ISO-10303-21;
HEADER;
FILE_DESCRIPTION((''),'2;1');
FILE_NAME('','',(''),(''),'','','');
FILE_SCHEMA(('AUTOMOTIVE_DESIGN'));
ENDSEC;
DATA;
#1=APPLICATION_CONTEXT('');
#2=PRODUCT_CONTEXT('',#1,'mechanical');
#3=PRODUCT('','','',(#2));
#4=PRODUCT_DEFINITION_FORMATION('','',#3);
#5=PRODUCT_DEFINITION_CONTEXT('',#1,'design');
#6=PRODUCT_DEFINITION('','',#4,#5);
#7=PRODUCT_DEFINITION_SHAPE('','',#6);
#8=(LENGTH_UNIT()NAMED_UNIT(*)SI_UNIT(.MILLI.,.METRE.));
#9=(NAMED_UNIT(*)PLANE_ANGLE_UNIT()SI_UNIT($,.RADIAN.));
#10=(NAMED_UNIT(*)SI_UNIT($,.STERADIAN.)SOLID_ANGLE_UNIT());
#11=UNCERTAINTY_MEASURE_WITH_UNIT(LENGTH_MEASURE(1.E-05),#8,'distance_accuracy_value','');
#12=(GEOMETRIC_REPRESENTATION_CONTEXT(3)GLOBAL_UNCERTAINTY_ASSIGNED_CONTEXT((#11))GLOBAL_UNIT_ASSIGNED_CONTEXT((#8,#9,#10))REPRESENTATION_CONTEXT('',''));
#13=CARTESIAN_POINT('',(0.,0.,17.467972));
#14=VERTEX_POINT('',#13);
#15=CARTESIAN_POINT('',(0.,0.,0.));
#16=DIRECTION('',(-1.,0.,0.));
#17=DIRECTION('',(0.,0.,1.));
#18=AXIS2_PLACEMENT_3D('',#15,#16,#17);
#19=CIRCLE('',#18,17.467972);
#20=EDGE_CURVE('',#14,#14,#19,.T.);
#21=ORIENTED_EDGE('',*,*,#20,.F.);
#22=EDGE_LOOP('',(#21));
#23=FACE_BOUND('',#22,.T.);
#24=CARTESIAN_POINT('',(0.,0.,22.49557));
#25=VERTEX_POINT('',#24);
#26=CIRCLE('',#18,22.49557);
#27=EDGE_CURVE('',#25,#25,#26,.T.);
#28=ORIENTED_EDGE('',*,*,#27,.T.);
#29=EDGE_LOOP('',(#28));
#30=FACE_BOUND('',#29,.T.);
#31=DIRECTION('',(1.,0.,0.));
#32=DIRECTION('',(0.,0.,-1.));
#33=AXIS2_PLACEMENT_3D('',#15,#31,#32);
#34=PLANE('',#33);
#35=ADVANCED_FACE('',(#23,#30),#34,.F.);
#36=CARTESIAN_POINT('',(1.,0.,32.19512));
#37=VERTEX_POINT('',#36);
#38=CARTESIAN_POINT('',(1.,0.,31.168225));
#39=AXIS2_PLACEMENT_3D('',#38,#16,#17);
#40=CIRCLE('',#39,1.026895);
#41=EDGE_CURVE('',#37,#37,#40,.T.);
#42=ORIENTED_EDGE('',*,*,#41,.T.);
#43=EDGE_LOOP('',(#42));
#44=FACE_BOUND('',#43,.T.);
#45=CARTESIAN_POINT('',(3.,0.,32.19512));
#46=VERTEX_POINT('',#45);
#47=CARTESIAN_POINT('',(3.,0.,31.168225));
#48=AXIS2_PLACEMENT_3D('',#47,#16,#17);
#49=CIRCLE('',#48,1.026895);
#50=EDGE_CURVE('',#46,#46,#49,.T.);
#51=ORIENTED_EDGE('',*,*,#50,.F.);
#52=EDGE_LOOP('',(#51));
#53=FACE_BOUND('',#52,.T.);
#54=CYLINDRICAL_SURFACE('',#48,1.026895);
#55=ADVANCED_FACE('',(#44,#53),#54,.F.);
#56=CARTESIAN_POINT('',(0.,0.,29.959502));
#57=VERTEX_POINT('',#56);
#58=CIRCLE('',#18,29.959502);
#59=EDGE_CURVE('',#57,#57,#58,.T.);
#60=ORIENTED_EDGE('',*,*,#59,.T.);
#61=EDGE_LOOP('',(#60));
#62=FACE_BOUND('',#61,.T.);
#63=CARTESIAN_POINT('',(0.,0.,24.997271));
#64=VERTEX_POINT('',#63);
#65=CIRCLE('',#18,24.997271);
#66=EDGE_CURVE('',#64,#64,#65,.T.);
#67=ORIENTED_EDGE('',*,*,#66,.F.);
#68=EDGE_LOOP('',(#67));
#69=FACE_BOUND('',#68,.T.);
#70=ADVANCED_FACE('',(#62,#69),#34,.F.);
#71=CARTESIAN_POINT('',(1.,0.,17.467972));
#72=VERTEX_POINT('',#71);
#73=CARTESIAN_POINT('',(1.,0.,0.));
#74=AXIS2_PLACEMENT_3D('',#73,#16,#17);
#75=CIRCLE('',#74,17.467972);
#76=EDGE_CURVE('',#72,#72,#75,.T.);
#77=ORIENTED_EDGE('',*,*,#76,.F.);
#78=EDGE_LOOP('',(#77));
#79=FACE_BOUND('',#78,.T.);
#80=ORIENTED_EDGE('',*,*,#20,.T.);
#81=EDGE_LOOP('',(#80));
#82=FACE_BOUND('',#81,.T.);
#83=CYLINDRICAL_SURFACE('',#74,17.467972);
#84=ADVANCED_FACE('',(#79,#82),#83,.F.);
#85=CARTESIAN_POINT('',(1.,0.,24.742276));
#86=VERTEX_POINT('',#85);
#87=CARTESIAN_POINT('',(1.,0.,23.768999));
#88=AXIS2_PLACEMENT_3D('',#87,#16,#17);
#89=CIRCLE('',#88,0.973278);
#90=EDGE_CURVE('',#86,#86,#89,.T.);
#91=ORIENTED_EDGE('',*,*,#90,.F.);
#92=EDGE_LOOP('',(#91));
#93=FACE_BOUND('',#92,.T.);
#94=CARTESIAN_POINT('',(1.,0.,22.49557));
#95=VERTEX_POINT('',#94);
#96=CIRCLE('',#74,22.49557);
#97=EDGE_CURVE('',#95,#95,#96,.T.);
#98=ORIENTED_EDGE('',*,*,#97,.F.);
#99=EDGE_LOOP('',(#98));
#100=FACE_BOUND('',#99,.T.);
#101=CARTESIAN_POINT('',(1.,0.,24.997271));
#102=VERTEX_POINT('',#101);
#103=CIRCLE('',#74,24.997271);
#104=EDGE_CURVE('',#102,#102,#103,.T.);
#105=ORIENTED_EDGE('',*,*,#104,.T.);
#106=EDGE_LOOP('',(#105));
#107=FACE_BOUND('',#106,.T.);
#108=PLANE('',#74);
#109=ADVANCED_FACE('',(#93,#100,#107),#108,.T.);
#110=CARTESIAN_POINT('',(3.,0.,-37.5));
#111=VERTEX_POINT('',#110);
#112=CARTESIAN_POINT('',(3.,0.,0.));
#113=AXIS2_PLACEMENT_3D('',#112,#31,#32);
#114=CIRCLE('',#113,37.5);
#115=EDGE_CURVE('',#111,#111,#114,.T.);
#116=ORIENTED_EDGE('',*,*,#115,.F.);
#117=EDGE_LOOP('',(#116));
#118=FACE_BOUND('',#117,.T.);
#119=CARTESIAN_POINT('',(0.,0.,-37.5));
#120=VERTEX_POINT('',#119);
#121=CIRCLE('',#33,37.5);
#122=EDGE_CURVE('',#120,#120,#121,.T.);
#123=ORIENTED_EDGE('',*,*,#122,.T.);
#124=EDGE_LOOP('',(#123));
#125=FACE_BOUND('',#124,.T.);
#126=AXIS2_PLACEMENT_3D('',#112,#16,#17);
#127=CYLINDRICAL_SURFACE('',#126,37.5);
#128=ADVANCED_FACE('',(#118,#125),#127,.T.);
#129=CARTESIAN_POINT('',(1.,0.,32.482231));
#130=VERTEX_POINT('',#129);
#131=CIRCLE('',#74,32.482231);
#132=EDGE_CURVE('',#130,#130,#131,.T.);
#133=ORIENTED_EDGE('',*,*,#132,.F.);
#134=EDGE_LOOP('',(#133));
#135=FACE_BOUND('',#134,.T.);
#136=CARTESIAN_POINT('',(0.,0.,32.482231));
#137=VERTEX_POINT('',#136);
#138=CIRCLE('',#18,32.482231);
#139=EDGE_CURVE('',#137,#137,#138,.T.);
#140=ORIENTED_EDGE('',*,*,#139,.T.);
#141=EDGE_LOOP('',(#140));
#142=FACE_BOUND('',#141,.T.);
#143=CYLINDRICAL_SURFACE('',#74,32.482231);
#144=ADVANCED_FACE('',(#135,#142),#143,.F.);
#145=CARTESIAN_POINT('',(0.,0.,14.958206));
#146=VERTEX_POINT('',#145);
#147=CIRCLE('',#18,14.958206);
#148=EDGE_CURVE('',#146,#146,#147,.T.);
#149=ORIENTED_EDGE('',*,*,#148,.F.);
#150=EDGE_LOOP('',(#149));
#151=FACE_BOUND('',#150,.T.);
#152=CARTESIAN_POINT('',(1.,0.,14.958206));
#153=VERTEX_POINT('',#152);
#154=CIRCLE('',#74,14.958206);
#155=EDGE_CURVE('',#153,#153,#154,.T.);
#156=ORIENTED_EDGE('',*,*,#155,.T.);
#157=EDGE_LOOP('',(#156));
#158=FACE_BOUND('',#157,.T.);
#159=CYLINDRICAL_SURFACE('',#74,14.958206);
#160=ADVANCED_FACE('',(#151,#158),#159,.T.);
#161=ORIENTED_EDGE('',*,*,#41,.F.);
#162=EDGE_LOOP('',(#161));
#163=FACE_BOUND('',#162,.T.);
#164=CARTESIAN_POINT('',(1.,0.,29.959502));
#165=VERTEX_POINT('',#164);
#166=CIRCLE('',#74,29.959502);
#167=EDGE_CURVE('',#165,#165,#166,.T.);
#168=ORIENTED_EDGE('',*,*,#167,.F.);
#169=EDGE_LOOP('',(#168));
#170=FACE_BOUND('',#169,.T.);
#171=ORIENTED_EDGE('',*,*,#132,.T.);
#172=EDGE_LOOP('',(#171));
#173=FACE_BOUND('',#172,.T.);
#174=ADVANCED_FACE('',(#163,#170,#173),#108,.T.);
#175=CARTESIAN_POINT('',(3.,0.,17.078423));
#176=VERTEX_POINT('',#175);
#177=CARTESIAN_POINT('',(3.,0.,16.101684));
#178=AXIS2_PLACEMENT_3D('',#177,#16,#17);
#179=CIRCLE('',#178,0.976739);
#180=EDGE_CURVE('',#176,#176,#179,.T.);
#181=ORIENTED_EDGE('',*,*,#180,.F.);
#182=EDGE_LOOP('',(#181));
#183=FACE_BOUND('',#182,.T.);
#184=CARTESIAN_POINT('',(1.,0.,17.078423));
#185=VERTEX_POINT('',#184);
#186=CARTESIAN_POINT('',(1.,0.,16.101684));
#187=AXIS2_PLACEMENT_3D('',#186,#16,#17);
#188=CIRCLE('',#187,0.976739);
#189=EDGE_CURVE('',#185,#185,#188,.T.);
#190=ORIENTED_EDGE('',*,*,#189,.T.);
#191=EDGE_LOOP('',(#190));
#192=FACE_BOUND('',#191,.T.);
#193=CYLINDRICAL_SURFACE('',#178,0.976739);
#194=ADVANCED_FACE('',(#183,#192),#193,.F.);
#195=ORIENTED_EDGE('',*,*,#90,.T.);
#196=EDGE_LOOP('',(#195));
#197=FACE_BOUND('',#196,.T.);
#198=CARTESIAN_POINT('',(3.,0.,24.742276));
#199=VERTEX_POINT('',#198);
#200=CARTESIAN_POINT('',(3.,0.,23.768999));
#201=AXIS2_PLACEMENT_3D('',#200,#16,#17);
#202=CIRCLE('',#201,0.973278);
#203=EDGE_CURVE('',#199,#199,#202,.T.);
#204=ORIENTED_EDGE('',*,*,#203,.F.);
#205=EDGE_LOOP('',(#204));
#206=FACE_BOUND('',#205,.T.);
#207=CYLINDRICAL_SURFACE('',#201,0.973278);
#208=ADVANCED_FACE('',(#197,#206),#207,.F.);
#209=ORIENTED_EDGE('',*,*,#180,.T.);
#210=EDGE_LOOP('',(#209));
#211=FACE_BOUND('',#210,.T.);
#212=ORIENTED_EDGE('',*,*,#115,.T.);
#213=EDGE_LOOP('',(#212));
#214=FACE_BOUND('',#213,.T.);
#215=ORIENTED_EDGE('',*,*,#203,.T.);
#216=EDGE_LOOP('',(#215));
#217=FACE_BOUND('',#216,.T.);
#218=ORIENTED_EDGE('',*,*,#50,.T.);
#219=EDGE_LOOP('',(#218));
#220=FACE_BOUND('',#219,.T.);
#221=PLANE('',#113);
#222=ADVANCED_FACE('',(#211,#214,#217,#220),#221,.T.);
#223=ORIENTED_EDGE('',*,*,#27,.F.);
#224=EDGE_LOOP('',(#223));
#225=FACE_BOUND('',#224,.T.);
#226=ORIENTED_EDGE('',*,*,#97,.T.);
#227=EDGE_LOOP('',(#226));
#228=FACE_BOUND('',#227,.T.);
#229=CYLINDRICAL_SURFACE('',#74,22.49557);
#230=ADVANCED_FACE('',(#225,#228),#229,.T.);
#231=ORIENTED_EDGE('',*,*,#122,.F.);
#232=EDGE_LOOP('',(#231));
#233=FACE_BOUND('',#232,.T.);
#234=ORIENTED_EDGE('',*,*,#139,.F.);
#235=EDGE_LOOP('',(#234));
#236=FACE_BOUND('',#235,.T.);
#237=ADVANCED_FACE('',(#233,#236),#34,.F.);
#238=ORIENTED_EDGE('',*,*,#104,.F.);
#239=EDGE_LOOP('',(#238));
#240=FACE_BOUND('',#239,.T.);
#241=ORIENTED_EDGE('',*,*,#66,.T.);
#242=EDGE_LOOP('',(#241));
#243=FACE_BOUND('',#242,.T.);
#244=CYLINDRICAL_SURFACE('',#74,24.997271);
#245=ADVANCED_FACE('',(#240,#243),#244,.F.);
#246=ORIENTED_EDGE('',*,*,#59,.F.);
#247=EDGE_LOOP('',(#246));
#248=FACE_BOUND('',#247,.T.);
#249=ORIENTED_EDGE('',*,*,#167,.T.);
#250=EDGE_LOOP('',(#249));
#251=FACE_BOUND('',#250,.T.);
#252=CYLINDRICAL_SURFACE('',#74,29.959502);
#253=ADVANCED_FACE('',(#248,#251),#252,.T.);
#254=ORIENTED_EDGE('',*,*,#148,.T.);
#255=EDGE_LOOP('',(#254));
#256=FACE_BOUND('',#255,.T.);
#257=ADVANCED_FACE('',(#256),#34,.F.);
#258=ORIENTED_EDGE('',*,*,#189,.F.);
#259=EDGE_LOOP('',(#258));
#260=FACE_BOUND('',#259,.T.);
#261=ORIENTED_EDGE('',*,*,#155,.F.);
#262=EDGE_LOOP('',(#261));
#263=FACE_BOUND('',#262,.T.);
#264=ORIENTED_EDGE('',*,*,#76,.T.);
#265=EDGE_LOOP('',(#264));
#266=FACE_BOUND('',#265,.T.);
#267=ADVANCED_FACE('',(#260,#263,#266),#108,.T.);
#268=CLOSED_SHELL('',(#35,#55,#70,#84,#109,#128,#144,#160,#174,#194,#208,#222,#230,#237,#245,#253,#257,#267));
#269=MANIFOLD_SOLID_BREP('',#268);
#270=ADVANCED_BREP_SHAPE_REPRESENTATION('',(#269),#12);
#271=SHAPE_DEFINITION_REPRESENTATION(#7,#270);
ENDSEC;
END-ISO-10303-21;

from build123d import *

# Parameters (mm, degrees)
CROQUIS1_R              = 37.5
SALIENTE_EXTRUIR1_DEPTH = 3
CROQUIS2_R              = 32.482230575
CROQUIS2_R_2            = 29.959502021
CROQUIS2_R_3            = 24.997270629
CROQUIS2_R_4            = 22.495570161
CROQUIS2_R_5            = 17.467972247
CROQUIS2_R_6            = 14.95820612
CORTAR_EXTRUIR1_DEPTH   = 1
CROQUIS3_R              = 0.976738779
CROQUIS3_R_2            = 0.973277505
CROQUIS3_R_3            = 1.026895089
CORTAR_EXTRUIR2_DEPTH   = 3


with BuildPart() as part:
    # Croquis1 → Saliente-Extruir1 (new body)
    with BuildSketch(Plane(origin=(0, 0, 0), x_dir=(0, 0, -1), z_dir=(1, 0, 0))):
        Circle(CROQUIS1_R)
    extrude(amount=SALIENTE_EXTRUIR1_DEPTH)

    # Croquis2 → Cortar-Extruir1 (cut)
    # profile 1 of 3: a face of its own
    with BuildSketch(Plane.ZY):
        Circle(CROQUIS2_R)
        Circle(CROQUIS2_R_2, mode=Mode.SUBTRACT)
    # profile 2 of 3: a face of its own
    with BuildSketch(Plane.ZY):
        Circle(CROQUIS2_R_3)
        Circle(CROQUIS2_R_4, mode=Mode.SUBTRACT)
    # profile 3 of 3: a face of its own
    with BuildSketch(Plane.ZY):
        Circle(CROQUIS2_R_5)
        Circle(CROQUIS2_R_6, mode=Mode.SUBTRACT)
    extrude(amount=-CORTAR_EXTRUIR1_DEPTH, mode=Mode.SUBTRACT)

    # Croquis3 → Cortar-Extruir2 (cut)
    with BuildSketch(Plane.ZY):
        with Locations((16.101684192, 0)):
            Circle(CROQUIS3_R)
        with Locations((23.768998706, 0)):
            Circle(CROQUIS3_R_2)
        with Locations((31.1682253, 0)):
            Circle(CROQUIS3_R_3)
    extrude(amount=-CORTAR_EXTRUIR2_DEPTH, mode=Mode.SUBTRACT)


solid = part.part
